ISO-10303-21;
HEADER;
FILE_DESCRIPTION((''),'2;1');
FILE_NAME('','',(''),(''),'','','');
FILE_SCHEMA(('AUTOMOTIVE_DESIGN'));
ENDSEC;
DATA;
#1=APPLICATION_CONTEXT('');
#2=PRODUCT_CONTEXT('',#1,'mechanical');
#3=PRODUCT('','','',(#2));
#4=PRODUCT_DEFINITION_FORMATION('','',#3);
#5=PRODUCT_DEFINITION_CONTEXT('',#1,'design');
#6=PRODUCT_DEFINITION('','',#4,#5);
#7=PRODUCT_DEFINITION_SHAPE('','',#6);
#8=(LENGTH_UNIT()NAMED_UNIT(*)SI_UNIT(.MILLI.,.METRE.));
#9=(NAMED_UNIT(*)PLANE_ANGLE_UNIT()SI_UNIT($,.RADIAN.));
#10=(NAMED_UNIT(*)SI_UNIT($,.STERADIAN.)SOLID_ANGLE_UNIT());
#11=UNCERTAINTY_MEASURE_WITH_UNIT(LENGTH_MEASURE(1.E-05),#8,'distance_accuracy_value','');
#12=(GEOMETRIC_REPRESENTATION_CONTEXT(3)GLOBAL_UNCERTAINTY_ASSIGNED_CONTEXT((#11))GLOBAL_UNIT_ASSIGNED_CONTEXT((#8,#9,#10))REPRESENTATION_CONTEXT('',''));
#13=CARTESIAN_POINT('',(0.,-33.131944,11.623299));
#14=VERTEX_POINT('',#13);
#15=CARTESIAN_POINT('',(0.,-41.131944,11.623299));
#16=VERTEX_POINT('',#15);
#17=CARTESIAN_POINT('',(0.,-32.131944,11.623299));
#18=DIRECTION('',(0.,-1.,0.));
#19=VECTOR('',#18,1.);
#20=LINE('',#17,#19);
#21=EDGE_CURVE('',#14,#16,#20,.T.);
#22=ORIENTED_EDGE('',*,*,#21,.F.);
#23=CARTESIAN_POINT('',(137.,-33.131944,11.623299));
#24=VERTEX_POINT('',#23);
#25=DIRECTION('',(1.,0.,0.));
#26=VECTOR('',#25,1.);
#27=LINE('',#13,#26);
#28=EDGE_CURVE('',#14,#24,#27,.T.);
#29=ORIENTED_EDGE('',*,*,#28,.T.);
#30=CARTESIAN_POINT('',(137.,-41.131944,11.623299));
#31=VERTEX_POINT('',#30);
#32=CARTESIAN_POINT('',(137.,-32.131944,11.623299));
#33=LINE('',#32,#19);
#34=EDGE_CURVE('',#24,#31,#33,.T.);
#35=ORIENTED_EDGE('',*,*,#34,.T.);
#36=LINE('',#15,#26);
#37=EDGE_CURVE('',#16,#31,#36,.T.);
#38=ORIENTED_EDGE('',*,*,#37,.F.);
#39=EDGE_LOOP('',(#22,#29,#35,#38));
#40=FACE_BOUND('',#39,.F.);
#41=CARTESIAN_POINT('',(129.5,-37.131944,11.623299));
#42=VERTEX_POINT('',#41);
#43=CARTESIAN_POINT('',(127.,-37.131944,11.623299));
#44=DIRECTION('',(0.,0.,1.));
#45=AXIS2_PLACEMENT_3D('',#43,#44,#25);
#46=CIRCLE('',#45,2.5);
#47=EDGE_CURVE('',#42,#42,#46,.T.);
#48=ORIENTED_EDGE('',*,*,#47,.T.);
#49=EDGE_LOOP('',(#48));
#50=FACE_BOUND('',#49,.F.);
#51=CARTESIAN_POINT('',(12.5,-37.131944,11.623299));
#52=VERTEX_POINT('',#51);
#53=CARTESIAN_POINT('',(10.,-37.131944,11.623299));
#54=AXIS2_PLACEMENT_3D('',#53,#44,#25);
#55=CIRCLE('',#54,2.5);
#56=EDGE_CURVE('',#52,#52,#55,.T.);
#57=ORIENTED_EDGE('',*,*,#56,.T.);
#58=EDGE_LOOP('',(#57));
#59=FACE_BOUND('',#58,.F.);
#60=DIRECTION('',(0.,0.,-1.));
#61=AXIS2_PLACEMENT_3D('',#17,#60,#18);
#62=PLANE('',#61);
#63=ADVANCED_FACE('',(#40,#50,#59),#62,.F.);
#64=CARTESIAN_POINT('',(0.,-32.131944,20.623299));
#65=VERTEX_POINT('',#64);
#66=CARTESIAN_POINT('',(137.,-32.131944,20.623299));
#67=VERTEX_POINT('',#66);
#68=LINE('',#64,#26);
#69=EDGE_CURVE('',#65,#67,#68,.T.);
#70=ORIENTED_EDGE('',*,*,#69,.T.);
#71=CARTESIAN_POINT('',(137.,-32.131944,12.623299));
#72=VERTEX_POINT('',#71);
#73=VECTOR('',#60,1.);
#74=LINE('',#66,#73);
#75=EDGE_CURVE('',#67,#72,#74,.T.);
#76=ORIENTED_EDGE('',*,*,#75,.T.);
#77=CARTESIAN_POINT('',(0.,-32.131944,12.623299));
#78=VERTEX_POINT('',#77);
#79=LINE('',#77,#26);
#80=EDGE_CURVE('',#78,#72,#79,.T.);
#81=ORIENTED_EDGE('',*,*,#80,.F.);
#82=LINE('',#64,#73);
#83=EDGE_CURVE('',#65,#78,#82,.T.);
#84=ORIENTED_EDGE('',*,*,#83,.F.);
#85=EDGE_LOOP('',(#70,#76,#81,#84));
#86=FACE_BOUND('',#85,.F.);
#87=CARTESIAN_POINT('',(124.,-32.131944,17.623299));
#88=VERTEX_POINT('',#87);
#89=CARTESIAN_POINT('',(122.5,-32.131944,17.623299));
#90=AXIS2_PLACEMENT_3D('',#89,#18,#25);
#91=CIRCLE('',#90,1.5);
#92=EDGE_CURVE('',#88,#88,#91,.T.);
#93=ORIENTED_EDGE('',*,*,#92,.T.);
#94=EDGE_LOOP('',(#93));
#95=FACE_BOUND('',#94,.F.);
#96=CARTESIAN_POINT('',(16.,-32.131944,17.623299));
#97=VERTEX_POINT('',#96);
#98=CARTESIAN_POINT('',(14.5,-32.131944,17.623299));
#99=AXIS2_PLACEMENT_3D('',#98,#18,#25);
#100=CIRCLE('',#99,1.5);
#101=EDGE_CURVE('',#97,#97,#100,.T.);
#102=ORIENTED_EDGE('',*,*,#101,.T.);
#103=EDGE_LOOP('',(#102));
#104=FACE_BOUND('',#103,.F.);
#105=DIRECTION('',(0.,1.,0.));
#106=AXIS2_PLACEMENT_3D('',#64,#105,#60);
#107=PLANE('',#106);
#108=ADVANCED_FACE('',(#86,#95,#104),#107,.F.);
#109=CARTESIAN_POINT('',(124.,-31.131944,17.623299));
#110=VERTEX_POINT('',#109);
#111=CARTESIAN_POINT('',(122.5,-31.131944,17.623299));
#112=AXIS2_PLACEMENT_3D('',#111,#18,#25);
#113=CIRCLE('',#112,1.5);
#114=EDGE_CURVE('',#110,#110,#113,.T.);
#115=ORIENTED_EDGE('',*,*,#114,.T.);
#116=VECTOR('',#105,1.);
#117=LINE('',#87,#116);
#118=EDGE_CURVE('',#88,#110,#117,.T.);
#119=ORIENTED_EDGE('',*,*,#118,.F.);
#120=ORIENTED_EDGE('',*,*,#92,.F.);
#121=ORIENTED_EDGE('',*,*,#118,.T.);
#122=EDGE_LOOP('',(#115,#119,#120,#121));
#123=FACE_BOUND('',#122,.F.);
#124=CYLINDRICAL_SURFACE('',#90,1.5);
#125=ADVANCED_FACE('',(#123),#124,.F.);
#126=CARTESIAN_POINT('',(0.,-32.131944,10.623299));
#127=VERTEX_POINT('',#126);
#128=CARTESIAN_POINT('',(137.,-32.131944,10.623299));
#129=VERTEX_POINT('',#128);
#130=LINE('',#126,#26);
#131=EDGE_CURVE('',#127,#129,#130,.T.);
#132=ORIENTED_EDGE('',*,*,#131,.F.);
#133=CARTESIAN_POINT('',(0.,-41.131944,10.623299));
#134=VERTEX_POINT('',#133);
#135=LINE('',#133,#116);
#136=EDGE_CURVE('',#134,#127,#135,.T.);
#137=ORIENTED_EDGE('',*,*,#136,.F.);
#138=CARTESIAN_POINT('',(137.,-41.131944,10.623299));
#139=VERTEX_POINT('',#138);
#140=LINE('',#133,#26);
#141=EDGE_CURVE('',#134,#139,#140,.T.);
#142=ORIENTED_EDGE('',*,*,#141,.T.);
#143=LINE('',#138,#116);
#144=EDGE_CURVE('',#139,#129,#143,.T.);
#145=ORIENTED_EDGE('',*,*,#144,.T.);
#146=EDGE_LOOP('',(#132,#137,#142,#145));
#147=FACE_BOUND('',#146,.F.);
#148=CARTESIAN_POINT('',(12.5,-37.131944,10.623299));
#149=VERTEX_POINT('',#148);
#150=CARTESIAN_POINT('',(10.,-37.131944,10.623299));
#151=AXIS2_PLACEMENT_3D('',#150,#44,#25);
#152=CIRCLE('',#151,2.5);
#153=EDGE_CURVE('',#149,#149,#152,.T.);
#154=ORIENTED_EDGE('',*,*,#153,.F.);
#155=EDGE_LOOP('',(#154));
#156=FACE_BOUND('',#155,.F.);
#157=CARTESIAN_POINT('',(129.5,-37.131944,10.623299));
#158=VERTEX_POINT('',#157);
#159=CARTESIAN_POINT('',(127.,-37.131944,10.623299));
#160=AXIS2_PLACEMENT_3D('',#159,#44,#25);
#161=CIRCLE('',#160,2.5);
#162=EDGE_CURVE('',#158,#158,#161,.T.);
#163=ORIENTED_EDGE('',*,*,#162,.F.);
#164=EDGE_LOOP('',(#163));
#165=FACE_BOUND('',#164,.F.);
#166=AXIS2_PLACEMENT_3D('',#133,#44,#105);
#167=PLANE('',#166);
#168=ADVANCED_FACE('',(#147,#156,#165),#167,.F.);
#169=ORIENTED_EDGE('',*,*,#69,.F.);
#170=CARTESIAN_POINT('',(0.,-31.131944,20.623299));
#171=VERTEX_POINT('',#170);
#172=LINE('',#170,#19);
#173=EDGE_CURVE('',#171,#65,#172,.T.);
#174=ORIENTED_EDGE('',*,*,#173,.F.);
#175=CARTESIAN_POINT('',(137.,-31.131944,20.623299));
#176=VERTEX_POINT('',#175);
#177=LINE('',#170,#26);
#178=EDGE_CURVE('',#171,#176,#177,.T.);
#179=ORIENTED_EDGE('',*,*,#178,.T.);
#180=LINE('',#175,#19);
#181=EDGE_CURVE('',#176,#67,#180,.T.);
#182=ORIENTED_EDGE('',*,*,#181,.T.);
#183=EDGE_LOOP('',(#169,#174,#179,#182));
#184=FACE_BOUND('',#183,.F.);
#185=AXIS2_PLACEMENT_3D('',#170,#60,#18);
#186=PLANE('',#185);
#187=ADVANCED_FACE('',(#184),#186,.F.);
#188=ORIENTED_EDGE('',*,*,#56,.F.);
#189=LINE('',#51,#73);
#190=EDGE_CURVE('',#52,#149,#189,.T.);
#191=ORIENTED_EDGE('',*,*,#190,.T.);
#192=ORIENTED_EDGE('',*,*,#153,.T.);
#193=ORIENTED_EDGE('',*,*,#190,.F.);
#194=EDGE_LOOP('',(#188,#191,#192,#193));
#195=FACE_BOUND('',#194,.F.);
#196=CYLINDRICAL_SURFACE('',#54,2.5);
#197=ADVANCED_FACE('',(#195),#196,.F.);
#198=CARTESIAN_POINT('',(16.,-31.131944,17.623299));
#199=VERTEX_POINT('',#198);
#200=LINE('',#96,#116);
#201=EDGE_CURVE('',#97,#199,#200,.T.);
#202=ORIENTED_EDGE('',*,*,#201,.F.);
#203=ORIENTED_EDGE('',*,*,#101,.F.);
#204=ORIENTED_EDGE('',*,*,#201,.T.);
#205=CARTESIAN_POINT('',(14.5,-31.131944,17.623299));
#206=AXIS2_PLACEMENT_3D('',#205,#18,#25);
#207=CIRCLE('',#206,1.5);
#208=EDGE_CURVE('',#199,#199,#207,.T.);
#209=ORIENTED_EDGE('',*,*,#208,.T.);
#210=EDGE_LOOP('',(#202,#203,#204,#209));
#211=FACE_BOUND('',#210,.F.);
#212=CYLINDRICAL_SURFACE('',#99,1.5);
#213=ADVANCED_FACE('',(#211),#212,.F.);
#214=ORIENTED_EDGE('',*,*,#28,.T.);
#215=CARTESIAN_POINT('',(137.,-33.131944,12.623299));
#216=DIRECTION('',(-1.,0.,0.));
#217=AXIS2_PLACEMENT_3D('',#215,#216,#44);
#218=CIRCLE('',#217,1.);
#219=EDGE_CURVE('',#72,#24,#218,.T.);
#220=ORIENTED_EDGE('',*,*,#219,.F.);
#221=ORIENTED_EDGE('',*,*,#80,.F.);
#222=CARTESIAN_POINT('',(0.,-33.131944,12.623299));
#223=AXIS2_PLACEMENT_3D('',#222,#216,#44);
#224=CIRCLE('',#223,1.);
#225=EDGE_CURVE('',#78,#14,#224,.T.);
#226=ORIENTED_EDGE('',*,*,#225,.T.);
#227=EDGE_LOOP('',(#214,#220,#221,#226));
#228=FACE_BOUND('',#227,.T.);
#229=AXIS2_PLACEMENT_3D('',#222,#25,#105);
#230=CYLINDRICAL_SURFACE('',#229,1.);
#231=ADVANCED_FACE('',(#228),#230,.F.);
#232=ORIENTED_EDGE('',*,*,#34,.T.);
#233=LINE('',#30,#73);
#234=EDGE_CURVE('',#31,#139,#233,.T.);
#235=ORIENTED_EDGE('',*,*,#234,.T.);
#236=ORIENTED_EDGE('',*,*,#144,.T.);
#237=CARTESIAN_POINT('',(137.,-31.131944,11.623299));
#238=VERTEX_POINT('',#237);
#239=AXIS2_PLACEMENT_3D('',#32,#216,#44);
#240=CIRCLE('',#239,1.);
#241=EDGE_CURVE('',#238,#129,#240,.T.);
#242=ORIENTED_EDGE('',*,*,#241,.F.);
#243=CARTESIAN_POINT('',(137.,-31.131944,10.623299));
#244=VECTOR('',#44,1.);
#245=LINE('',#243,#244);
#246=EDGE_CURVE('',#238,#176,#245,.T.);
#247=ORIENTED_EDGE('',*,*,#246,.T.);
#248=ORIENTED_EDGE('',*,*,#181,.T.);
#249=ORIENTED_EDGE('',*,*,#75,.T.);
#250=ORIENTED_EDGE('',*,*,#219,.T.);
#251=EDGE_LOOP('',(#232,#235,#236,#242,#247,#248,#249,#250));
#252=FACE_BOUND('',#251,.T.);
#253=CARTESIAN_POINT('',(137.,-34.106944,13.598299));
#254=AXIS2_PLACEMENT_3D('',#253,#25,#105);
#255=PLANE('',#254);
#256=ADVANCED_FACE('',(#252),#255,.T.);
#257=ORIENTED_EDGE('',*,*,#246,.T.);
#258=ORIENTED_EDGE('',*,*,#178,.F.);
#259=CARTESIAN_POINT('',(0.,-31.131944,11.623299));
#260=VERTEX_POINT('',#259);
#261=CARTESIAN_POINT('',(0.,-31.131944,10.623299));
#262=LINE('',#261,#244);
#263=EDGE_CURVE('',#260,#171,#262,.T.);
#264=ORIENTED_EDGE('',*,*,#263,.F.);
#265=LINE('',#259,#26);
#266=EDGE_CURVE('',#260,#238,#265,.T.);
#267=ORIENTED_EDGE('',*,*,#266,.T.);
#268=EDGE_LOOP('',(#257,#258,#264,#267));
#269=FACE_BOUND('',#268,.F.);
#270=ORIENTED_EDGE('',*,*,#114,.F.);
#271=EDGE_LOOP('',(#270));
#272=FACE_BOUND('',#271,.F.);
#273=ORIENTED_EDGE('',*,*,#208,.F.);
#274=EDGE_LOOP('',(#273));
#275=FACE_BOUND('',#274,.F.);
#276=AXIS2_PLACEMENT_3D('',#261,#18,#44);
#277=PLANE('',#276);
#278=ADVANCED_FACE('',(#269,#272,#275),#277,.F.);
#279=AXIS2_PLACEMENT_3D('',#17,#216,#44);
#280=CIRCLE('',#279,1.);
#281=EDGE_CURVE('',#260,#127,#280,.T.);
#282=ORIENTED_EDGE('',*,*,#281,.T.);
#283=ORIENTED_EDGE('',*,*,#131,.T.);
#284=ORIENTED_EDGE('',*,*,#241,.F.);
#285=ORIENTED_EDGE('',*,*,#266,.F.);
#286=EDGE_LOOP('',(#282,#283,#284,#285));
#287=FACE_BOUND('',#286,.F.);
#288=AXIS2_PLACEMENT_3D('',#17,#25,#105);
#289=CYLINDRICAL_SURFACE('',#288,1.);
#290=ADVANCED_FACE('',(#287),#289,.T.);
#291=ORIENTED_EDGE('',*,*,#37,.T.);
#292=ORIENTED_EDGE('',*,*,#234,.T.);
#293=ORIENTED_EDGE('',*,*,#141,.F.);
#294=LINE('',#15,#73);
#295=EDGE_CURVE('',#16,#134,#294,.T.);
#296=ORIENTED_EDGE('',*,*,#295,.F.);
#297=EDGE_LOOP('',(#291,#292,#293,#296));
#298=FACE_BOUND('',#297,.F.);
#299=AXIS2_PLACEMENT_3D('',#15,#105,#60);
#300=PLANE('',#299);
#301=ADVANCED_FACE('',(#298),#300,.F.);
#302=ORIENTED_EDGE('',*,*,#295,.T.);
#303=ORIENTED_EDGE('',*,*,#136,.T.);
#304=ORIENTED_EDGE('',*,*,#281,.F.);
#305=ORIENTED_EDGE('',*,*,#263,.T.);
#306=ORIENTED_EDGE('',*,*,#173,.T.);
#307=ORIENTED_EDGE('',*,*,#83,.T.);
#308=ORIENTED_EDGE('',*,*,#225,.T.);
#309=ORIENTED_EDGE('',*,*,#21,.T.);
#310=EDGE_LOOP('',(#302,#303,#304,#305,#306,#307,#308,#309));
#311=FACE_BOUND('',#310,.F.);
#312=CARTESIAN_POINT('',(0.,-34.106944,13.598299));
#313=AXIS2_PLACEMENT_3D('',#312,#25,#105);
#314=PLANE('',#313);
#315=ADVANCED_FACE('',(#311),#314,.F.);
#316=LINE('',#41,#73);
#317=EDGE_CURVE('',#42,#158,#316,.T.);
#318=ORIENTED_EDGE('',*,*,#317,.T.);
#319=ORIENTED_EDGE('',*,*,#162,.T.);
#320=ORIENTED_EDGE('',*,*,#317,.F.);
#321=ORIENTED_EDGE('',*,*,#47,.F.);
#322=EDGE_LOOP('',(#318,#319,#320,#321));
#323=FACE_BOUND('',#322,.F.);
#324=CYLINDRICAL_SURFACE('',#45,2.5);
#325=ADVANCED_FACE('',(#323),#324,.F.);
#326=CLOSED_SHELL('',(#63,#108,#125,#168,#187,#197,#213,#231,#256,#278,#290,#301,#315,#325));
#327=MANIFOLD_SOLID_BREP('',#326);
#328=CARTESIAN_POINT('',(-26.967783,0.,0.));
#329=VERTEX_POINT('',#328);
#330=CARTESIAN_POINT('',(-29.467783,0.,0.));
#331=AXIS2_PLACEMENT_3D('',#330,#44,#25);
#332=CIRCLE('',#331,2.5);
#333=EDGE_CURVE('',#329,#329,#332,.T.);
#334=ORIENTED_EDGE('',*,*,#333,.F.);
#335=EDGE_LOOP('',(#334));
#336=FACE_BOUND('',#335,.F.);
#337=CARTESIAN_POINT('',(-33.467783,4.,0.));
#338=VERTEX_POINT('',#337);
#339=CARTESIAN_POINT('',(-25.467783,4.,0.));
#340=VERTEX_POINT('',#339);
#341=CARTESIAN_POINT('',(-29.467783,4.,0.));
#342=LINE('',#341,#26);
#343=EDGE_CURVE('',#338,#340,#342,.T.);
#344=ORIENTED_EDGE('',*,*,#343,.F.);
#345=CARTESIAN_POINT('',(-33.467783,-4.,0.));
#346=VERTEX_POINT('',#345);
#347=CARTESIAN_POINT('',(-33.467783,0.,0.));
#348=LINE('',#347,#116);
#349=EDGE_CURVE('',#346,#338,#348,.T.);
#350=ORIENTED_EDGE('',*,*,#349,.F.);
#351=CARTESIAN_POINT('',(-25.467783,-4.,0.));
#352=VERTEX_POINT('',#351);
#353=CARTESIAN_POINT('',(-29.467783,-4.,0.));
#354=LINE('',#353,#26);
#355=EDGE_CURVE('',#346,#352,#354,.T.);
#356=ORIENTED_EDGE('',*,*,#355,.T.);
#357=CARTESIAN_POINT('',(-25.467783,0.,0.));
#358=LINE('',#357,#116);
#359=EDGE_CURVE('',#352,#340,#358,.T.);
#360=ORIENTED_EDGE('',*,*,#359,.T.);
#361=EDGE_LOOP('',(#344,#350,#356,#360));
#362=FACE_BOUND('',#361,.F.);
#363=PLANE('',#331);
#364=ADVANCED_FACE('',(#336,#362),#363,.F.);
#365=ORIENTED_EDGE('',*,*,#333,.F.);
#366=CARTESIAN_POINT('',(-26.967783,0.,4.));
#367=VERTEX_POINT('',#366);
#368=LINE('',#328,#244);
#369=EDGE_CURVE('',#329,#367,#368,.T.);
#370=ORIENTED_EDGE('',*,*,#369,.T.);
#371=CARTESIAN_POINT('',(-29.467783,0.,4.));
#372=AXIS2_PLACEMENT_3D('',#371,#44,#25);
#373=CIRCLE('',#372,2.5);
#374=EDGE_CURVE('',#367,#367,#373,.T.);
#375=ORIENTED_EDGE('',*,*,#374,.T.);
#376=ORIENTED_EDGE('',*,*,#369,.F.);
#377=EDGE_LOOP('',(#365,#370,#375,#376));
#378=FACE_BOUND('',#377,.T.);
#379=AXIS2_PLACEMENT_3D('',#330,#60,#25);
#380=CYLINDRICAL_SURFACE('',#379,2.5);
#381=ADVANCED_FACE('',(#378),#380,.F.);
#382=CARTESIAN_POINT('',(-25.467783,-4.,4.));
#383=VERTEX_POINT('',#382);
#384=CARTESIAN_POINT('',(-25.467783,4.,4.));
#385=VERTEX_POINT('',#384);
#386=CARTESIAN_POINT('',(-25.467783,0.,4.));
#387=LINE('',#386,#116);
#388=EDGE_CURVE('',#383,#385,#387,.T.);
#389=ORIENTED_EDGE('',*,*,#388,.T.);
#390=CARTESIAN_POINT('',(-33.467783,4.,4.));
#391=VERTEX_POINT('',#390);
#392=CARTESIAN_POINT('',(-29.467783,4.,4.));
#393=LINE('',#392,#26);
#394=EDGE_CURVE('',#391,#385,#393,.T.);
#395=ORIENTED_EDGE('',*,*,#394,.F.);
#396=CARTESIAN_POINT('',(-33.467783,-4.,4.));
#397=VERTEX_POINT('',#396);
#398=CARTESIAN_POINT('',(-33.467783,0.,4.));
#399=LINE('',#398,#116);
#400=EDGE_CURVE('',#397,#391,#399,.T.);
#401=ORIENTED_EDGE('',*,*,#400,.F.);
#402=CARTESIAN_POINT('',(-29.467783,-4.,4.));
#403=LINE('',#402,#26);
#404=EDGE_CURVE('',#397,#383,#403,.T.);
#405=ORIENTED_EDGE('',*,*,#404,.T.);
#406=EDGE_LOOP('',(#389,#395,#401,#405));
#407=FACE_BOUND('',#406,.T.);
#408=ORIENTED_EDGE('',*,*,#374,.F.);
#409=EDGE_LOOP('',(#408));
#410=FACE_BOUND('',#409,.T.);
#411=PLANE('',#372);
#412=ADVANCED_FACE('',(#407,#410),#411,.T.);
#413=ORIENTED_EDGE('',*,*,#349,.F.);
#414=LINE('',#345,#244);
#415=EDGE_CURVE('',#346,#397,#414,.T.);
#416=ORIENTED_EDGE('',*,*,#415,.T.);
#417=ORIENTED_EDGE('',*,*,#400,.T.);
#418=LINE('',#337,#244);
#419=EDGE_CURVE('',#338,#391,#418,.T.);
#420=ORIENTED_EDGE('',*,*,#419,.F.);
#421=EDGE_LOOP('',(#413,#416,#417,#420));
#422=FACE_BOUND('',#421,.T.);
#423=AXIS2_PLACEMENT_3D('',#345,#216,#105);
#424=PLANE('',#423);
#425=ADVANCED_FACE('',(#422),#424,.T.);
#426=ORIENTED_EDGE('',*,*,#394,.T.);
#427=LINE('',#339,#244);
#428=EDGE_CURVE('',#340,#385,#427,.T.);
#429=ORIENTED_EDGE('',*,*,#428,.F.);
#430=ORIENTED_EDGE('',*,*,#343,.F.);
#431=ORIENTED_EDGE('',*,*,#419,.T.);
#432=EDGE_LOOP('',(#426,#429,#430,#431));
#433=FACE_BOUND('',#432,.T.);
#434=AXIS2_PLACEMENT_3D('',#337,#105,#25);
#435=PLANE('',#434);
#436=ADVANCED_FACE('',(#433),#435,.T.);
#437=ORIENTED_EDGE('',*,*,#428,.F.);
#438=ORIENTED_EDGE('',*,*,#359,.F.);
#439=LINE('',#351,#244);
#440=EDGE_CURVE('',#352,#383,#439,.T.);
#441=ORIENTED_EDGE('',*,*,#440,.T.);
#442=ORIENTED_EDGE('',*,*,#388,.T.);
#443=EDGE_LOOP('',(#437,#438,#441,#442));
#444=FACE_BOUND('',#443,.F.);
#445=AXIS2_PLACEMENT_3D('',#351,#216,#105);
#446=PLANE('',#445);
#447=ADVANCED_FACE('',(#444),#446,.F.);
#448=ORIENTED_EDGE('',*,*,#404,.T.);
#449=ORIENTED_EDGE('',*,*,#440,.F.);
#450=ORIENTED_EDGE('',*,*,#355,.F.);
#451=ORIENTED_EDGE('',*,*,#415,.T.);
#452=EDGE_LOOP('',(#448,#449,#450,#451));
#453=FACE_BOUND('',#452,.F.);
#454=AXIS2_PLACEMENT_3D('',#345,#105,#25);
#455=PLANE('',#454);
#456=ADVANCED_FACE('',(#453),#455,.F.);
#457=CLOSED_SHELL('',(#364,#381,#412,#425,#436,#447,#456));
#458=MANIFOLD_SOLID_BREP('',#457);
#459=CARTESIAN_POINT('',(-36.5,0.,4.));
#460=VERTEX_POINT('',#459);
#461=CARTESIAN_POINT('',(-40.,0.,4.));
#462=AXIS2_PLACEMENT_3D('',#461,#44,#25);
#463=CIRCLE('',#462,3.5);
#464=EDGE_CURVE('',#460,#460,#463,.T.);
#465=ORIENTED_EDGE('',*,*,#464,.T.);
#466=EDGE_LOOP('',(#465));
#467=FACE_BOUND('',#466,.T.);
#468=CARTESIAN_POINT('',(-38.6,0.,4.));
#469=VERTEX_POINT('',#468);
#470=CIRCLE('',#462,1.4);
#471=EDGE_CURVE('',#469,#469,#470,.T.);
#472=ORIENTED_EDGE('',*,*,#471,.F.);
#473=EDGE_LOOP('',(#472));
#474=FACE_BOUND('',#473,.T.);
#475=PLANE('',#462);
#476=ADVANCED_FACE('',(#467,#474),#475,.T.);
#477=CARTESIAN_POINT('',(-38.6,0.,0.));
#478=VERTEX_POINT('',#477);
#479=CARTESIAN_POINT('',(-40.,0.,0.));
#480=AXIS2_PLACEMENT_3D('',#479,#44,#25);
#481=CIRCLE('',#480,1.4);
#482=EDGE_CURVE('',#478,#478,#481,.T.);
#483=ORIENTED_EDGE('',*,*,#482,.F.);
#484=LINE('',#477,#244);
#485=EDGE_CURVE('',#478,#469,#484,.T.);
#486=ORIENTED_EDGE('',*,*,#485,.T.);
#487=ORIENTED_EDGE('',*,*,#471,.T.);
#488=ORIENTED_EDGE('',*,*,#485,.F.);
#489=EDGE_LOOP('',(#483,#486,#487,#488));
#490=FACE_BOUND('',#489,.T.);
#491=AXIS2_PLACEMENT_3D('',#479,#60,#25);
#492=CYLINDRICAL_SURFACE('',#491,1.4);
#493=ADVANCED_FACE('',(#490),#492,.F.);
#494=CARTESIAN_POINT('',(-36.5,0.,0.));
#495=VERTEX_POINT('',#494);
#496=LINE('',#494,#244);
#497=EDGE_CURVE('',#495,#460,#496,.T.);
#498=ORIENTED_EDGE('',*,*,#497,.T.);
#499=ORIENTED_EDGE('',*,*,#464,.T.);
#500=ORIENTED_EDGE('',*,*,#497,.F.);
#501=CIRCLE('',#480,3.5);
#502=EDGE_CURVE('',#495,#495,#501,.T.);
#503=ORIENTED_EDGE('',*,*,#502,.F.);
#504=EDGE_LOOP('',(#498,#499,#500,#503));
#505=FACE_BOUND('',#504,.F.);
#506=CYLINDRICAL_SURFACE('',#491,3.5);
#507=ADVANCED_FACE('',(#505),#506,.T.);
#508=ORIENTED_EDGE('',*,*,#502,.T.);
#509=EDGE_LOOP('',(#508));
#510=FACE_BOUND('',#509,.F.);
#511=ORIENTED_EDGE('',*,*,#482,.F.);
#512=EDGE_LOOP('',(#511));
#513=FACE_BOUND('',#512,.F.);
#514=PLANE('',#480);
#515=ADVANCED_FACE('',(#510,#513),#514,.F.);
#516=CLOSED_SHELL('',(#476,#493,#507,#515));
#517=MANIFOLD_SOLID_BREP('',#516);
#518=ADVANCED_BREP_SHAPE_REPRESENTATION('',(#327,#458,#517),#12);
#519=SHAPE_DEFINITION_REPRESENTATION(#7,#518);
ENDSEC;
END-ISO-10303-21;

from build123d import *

# Parameters (mm, degrees)
F1_DEPTH  = 137
F2_R      = 1.5
F3_DEPTH  = 2
F4_R      = 2.5
F5_DEPTH  = 2
F6_R      = 1
F7_W      = 8
F7_H      = 8
F7_R      = 2.5
F8_DEPTH  = 4
F9_R      = 3.5
F9_R_2    = 1.4
F10_DEPTH = 4


with BuildPart() as f1:
    # F0 (on Right) → F1 (new body)
    with BuildSketch(Plane.YZ):
        Polygon((-31.131944, 10.623299), (-31.131944, 20.623299), (-32.131944, 20.623299), (-32.131944, 11.623299), (-41.131944, 11.623299), (-41.131944, 10.623299), align=None)
    extrude(amount=F1_DEPTH)

    # F2 (on face) → F3 (cut)
    with BuildSketch(Plane.XZ.offset(32.131944)):
        with Locations((14.5, 17.623299)):
            Circle(F2_R)
        with Locations((122.5, 17.623299)):
            Circle(F2_R)
    extrude(amount=-F3_DEPTH, mode=Mode.SUBTRACT)

    # F4 (on face) → F5 (cut)
    with BuildSketch(Plane.XY.offset(11.623299)):
        with Locations((10, -37.131944)):
            Circle(F4_R)
        with Locations((127, -37.131944)):
            Circle(F4_R)
    extrude(amount=-F5_DEPTH, mode=Mode.SUBTRACT)

    # F6
    f6_edges = [f1.edges().sort_by_distance(p)[0] for p in [
        (68.5, -31.131944, 10.623299),
        (68.5, -32.131944, 11.623299),
    ]]
    fillet(f6_edges, radius=F6_R)


with BuildPart() as f8:
    # F7 (on Top) → F8 (new body)
    with BuildSketch(Plane.XY):
        with Locations((-29.467783, 0)):
            Rectangle(F7_W, F7_H)
        with Locations((-29.467783, 0)):
            Circle(F7_R, mode=Mode.SUBTRACT)
    extrude(amount=F8_DEPTH)


with BuildPart() as f10:
    # F9 (on Top) → F10 (new body)
    with BuildSketch(Plane.XY):
        with Locations((-40, 0)):
            Circle(F9_R)
        with Locations((-40, 0)):
            Circle(F9_R_2, mode=Mode.SUBTRACT)
    extrude(amount=F10_DEPTH)


solid = Compound([f1.part, f8.part, f10.part])
